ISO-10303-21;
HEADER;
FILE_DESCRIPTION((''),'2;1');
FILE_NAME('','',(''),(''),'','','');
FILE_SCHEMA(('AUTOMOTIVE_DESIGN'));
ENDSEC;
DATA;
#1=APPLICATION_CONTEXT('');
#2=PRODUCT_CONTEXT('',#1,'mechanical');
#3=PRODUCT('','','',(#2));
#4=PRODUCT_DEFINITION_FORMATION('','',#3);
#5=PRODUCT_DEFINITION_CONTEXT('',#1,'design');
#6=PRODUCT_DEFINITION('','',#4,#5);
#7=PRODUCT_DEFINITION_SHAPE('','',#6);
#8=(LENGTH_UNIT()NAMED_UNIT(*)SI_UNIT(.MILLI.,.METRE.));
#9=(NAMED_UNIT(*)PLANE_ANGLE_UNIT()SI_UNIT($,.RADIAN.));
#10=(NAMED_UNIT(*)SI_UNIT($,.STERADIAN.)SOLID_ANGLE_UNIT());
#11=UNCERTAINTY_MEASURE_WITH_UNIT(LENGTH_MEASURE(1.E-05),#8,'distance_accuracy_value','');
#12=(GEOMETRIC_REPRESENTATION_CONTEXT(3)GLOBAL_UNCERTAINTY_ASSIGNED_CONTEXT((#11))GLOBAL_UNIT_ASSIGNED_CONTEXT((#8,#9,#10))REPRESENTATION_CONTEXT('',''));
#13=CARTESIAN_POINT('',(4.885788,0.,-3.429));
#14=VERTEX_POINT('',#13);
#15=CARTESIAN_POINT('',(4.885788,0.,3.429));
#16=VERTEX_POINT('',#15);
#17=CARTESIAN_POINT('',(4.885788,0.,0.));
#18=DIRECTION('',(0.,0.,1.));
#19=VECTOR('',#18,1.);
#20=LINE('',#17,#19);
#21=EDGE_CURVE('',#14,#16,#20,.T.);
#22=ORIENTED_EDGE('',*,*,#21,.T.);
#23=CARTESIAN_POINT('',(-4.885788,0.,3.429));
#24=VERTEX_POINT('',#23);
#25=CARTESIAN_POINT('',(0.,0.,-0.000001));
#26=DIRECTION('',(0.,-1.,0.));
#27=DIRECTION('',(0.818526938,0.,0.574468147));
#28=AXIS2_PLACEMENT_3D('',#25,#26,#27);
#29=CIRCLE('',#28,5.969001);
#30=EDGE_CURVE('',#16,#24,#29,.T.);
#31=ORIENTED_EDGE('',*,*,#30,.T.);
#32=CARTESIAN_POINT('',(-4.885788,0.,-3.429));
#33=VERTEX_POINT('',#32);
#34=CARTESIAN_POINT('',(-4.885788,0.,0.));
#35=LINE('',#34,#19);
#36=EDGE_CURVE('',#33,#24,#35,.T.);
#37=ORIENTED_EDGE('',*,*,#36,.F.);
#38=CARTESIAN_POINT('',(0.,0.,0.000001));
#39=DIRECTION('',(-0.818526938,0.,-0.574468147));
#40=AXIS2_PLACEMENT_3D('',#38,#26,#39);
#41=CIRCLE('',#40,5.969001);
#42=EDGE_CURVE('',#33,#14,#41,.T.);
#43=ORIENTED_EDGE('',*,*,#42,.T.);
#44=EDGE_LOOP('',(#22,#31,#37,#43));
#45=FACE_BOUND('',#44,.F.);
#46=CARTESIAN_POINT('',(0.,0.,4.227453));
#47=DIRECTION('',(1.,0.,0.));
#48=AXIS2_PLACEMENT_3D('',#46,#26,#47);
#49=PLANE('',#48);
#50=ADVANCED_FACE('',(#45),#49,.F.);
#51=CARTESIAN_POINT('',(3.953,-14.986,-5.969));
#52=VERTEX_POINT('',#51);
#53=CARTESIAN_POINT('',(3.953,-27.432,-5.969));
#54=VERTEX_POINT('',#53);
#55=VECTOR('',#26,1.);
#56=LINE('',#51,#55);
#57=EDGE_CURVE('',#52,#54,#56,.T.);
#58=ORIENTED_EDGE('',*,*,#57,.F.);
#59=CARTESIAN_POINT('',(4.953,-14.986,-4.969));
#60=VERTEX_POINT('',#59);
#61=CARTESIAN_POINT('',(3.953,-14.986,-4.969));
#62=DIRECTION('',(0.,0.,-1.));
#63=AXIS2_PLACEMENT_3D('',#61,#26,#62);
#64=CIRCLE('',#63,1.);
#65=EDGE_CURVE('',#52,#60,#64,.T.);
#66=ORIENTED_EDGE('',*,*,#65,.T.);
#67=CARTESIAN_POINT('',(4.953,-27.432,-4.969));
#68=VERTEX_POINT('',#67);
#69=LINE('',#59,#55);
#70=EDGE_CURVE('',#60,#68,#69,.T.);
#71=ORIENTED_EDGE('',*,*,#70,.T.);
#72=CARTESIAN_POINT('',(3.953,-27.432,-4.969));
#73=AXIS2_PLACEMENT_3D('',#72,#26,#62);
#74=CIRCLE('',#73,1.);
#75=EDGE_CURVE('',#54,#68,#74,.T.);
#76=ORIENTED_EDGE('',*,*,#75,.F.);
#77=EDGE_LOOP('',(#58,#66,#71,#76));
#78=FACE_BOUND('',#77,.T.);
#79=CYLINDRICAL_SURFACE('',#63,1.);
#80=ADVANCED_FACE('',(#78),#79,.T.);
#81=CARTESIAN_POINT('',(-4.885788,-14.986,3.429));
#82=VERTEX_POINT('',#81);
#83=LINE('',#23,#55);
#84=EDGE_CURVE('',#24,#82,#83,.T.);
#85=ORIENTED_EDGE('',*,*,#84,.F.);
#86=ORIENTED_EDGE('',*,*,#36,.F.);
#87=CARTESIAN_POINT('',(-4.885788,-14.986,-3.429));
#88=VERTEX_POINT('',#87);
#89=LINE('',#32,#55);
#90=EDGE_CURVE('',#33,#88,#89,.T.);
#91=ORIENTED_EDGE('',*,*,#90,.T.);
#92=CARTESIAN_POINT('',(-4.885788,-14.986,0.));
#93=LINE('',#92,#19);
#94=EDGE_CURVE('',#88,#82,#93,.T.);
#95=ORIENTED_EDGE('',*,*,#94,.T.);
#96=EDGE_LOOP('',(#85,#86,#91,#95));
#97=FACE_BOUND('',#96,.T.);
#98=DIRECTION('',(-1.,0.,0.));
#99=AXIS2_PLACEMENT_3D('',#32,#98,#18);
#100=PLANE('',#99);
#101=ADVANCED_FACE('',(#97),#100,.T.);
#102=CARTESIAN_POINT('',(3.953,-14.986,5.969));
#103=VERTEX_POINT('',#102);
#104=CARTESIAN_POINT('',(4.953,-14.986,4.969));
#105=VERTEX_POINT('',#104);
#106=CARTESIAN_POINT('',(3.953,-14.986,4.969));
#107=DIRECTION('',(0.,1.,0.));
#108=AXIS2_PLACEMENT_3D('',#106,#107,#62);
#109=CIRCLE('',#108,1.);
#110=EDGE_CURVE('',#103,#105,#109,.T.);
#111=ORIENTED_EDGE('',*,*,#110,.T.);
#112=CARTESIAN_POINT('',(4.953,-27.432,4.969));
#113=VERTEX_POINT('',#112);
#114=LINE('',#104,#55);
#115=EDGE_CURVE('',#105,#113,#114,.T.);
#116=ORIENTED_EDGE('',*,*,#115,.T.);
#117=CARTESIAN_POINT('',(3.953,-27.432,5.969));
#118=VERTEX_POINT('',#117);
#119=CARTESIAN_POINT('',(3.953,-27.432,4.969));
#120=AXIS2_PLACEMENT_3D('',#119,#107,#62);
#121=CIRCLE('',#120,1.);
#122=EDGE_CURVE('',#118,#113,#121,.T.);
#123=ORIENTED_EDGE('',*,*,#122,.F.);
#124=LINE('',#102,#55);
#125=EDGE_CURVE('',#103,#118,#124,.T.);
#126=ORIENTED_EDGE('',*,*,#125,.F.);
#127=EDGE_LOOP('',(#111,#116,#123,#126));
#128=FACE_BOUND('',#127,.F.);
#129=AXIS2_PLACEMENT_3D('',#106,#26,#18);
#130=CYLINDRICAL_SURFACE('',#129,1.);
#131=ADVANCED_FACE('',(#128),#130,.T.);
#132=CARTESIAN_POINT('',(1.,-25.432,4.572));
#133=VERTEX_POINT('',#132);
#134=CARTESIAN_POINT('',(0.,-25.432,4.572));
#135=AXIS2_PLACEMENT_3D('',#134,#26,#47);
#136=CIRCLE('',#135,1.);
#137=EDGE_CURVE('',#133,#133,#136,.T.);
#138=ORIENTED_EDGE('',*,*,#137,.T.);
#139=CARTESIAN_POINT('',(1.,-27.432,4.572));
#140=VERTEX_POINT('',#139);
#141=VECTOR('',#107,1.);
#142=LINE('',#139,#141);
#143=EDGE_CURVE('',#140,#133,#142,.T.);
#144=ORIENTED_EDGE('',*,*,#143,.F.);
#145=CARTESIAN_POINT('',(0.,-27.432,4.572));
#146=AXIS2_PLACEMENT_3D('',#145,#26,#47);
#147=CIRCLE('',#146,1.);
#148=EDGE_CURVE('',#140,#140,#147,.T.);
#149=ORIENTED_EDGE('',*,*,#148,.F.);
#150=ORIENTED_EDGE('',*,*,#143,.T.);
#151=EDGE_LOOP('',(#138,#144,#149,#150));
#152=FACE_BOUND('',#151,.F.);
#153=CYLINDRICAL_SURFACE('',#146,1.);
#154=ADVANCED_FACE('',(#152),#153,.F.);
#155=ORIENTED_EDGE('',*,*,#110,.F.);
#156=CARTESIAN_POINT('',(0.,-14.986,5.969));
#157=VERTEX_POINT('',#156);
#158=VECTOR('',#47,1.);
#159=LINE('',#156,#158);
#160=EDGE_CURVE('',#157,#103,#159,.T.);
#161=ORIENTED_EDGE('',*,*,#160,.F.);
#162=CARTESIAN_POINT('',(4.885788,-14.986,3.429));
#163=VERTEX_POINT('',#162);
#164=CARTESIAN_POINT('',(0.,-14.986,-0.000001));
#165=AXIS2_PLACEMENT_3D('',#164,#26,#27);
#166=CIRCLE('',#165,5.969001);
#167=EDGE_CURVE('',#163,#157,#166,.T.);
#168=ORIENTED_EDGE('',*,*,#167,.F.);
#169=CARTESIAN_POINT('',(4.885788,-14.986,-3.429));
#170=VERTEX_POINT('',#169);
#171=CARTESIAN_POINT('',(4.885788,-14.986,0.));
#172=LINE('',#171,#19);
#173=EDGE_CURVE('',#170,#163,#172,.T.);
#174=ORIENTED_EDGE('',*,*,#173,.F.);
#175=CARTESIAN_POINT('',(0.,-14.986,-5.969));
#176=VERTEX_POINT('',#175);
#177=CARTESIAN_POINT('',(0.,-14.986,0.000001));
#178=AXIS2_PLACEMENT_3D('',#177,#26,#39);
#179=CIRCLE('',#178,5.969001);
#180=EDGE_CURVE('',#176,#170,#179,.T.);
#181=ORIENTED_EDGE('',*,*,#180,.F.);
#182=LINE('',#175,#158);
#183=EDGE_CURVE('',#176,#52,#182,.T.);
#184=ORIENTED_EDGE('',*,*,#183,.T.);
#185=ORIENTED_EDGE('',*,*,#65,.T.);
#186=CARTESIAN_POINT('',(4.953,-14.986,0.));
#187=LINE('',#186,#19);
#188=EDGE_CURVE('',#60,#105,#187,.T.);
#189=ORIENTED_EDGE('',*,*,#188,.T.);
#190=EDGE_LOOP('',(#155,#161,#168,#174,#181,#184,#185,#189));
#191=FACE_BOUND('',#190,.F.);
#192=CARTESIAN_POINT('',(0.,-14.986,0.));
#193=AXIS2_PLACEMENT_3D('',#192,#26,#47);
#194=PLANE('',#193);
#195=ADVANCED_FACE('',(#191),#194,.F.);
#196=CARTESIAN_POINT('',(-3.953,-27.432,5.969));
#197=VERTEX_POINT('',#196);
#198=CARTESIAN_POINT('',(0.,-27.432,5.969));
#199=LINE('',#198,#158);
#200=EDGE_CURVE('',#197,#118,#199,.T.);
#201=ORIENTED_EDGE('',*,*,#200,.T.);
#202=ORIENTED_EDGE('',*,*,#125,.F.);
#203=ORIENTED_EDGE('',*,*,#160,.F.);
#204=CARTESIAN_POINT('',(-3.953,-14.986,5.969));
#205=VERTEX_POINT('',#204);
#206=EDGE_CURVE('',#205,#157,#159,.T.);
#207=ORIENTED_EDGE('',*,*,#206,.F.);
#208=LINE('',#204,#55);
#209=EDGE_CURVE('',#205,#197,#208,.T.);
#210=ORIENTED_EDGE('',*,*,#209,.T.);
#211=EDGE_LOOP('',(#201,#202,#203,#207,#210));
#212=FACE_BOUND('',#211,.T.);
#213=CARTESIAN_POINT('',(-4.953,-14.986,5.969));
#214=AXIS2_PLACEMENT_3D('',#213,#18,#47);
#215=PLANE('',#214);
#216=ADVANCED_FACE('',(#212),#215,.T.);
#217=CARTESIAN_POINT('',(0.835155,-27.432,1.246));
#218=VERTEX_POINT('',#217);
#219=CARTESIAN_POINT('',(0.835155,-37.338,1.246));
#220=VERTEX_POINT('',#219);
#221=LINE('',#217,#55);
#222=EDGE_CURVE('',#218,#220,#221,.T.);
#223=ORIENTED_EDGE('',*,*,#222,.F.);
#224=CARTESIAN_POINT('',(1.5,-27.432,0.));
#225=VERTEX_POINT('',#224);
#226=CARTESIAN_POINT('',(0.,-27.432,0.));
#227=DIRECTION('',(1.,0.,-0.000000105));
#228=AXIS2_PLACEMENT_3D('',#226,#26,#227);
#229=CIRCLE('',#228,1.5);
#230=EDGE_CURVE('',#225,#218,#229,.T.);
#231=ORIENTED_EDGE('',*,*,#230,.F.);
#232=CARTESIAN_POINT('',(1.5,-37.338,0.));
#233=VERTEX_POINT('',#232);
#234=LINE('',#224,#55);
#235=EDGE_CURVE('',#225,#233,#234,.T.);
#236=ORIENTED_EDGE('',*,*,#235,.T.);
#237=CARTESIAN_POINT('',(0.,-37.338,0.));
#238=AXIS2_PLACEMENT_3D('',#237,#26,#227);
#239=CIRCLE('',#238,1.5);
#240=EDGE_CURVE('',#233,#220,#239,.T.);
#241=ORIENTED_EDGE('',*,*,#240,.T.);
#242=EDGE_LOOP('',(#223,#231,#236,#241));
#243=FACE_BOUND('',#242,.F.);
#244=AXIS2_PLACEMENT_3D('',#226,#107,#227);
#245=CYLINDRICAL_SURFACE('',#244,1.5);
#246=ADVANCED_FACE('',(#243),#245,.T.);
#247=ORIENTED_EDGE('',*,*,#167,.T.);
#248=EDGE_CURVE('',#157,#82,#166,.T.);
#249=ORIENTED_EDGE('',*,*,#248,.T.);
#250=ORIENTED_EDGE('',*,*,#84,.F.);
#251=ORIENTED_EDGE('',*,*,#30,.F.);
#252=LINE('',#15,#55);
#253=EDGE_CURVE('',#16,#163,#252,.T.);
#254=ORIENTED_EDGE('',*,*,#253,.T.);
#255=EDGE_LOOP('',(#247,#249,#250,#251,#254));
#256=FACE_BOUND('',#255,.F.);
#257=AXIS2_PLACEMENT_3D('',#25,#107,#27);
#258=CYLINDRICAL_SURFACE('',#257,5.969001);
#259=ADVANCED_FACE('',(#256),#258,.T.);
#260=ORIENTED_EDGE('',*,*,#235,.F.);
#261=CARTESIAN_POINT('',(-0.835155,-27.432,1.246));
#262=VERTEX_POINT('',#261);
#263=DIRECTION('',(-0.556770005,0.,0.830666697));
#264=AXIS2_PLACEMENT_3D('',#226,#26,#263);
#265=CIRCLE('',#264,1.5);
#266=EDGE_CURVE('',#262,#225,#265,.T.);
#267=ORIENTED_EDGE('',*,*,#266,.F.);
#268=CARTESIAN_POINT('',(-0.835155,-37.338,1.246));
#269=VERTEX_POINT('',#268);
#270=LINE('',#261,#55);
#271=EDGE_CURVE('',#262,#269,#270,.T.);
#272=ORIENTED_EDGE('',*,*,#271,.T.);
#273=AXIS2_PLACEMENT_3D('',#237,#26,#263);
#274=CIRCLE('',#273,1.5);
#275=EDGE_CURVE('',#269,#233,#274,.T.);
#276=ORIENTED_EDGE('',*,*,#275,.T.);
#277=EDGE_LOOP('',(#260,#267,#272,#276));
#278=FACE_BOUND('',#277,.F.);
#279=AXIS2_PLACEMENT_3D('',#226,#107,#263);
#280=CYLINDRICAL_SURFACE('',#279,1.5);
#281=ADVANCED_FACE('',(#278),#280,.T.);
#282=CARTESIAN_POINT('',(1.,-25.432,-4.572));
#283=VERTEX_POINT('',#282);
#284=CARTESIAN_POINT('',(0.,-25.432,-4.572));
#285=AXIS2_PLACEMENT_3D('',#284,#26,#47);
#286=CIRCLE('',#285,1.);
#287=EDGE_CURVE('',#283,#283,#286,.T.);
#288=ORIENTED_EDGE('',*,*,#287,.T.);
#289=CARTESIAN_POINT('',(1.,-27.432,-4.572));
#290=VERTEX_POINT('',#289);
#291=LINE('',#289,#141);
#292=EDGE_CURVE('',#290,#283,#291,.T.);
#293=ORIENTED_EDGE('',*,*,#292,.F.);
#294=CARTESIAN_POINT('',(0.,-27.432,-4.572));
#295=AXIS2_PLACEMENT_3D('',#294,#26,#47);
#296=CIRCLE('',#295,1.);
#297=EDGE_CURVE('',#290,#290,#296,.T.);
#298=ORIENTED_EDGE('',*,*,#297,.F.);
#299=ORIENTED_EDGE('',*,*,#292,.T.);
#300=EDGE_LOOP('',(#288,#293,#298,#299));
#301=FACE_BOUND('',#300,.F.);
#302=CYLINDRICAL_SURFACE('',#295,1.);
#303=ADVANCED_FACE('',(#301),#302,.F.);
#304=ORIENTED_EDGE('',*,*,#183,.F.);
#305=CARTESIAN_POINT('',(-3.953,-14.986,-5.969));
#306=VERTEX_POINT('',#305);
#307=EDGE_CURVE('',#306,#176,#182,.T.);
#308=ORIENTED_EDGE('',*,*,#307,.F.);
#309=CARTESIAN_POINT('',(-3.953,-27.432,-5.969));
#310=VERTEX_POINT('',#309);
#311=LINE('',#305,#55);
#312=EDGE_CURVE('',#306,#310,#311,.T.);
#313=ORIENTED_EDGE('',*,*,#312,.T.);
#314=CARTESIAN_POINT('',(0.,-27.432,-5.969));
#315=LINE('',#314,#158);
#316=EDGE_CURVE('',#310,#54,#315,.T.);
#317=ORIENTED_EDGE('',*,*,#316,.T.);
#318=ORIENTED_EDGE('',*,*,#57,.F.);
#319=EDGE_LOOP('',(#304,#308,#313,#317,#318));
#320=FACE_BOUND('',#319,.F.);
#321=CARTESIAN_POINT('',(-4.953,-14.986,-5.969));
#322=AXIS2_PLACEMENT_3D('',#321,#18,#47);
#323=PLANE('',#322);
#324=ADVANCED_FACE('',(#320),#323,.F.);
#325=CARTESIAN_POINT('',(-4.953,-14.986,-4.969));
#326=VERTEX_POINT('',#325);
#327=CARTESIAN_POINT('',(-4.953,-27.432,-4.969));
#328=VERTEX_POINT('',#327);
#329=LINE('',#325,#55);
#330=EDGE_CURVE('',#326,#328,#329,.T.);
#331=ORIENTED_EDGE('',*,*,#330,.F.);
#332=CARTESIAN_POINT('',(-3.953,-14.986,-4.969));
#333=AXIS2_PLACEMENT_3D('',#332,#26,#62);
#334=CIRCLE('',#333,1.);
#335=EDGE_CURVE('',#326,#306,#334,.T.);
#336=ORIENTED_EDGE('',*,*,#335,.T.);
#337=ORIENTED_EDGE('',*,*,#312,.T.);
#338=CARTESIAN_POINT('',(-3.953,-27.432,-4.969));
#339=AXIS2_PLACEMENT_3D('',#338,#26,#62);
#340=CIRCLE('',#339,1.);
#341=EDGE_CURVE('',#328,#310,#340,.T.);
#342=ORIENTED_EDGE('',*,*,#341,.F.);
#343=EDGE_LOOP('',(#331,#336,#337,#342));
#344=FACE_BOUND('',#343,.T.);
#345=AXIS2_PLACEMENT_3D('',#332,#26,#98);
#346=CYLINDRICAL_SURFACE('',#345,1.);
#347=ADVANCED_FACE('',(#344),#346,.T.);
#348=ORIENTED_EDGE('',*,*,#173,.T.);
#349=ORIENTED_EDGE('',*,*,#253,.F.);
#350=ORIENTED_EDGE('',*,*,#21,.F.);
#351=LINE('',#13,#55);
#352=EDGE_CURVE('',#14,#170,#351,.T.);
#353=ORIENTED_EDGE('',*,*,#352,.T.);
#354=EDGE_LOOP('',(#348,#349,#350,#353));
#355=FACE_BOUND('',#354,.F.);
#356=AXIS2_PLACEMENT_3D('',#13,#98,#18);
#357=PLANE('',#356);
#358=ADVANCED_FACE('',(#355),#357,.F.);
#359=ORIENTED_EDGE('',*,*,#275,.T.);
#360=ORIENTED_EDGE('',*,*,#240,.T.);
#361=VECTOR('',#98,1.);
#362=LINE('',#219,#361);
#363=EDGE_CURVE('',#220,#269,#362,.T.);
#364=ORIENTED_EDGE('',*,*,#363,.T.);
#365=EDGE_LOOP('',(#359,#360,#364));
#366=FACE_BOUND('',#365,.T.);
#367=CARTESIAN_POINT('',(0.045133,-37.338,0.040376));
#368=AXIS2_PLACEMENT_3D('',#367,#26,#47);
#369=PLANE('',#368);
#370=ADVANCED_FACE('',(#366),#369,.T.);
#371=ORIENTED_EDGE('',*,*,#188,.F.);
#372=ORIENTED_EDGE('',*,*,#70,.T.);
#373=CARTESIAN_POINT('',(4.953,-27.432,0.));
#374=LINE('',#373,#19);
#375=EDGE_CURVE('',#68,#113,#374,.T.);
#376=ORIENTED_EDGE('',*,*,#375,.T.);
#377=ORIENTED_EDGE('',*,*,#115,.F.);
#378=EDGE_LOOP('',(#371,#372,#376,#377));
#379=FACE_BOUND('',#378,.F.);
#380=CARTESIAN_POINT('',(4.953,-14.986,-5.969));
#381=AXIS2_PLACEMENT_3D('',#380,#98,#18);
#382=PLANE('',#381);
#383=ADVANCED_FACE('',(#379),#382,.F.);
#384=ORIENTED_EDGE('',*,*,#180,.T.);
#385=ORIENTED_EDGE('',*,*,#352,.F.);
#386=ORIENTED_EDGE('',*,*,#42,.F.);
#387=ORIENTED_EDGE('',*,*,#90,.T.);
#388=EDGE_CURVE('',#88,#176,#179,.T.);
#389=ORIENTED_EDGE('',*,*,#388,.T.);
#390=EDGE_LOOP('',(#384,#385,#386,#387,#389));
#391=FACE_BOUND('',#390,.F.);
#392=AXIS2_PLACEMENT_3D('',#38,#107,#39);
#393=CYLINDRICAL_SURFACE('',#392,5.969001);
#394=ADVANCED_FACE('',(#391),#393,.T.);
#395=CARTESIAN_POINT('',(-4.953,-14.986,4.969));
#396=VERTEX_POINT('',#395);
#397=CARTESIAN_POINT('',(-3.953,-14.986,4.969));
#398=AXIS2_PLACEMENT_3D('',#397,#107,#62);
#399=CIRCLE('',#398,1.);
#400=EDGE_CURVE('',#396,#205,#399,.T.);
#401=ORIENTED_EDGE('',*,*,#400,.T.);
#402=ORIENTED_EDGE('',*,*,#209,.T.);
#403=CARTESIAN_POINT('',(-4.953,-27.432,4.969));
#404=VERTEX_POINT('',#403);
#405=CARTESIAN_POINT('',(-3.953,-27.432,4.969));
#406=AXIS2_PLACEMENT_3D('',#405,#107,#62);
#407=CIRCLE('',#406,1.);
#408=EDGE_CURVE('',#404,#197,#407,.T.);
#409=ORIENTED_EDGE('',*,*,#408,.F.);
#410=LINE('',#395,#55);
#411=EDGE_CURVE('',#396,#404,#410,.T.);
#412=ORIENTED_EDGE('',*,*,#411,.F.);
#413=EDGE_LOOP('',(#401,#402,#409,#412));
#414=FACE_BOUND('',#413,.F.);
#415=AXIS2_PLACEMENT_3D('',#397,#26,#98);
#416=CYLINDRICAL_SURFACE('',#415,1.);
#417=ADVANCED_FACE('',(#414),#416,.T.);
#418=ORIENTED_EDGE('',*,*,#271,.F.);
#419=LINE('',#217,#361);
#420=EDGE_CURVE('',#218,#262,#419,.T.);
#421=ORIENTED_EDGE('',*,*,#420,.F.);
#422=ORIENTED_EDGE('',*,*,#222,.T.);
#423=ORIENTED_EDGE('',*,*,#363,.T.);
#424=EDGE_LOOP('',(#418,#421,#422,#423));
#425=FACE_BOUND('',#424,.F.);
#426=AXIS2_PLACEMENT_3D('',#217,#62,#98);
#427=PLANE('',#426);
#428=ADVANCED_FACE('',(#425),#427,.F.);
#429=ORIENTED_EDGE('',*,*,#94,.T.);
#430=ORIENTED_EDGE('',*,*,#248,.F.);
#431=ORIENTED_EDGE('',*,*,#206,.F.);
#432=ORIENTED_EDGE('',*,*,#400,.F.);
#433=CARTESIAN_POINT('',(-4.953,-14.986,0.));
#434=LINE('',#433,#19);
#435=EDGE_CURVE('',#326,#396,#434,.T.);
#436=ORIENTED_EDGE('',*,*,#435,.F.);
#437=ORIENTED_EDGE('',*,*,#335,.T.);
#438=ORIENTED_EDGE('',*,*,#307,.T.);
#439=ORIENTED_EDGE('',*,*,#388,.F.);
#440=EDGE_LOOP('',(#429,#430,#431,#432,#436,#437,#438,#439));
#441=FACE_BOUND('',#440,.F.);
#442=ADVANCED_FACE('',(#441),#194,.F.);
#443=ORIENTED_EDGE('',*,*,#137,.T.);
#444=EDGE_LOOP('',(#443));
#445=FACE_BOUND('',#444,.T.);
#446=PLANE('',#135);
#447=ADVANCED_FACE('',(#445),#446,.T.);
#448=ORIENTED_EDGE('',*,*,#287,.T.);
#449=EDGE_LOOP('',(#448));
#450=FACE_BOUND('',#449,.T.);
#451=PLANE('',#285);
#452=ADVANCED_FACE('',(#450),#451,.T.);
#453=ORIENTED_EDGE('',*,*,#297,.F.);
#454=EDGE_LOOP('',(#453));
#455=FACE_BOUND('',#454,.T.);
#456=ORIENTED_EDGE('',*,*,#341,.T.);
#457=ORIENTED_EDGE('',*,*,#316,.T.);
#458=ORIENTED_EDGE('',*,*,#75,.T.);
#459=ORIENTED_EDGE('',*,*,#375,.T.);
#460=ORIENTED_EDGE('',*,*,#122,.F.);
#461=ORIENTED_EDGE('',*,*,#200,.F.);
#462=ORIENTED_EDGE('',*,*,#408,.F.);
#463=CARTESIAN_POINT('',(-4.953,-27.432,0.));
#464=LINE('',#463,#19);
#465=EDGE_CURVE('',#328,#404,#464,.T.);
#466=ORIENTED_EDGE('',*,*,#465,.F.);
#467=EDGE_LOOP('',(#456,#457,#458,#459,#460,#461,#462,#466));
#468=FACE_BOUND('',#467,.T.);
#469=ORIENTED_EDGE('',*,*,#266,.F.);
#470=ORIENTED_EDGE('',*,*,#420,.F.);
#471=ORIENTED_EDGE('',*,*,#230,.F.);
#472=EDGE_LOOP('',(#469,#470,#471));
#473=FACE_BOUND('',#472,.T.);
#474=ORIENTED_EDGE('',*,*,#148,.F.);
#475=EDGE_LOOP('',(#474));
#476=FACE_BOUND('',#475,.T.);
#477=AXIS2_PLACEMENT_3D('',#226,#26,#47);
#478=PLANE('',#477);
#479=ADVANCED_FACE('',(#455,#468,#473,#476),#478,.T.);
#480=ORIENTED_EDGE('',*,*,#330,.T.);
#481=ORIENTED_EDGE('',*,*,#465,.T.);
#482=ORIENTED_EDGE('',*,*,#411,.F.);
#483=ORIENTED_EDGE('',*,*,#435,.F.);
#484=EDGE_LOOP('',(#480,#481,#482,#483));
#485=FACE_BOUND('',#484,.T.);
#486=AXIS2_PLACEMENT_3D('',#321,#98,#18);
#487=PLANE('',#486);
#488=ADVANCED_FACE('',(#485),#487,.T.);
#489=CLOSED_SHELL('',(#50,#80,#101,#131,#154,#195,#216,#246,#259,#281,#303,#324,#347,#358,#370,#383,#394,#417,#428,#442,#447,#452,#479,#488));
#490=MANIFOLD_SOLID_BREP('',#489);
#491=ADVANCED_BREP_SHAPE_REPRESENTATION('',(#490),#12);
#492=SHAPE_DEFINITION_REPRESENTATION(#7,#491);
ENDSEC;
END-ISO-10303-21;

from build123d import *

# Parameters (mm, degrees)
F0_W     = 9.771576
F0_H     = 6.858
F1_DEPTH = 14.986
F2_W     = 9.906
F2_H     = 11.938
F3_DEPTH = 12.446
F4_R     = 1
F5_DEPTH = 2
F6_R     = 1
F8_DEPTH = 9.906


with BuildPart() as f1:
    # F0 (on Front) → F1 (new body)
    with BuildSketch(Plane.XZ):
        with BuildLine():
            ThreePointArc((4.885788, 3.429), (0, 5.969), (-4.885788, 3.429))
            Line((-4.885788, 3.429), (4.885788, 3.429))
        make_face()
        Rectangle(F0_W, F0_H)
        with BuildLine():
            Line((4.885788, -3.429), (-4.885788, -3.429))
            ThreePointArc((-4.885788, -3.429), (0, -5.969), (4.885788, -3.429))
        make_face()
    extrude(amount=F1_DEPTH)

    # F2 (on face) → F3 (join)
    with BuildSketch(Plane.XZ.offset(14.986)):
        Rectangle(F2_W, F2_H)
    extrude(amount=F3_DEPTH)

    # F4 (on face) → F5 (cut)
    with BuildSketch(Plane.XZ.offset(27.432)):
        with Locations((0, -4.572)):
            Circle(F4_R)
        with Locations((0, 4.572)):
            Circle(F4_R)
    extrude(amount=-F5_DEPTH, mode=Mode.SUBTRACT)

    # F6
    f6_edges = [f1.edges().sort_by_distance(p)[0] for p in [
        (-4.953, -21.209, 5.969),
        (4.953, -21.209, 5.969),
        (4.953, -21.209, -5.969),
        (-4.953, -21.209, -5.969),
    ]]
    fillet(f6_edges, radius=F6_R)

    # F7 (on face) → F8 (join)
    with BuildSketch(Plane.XZ.offset(27.432)):
        with BuildLine():
            ThreePointArc((-0.835155, 1.246), (-0.70614, -1.323392), (1.5, 0))
            ThreePointArc((1.5, 0), (1.323392, 0.70614), (0.835155, 1.246))
            Line((0.835155, 1.246), (-0.835155, 1.246))
        make_face()
    extrude(amount=F8_DEPTH)


solid = f1.part
